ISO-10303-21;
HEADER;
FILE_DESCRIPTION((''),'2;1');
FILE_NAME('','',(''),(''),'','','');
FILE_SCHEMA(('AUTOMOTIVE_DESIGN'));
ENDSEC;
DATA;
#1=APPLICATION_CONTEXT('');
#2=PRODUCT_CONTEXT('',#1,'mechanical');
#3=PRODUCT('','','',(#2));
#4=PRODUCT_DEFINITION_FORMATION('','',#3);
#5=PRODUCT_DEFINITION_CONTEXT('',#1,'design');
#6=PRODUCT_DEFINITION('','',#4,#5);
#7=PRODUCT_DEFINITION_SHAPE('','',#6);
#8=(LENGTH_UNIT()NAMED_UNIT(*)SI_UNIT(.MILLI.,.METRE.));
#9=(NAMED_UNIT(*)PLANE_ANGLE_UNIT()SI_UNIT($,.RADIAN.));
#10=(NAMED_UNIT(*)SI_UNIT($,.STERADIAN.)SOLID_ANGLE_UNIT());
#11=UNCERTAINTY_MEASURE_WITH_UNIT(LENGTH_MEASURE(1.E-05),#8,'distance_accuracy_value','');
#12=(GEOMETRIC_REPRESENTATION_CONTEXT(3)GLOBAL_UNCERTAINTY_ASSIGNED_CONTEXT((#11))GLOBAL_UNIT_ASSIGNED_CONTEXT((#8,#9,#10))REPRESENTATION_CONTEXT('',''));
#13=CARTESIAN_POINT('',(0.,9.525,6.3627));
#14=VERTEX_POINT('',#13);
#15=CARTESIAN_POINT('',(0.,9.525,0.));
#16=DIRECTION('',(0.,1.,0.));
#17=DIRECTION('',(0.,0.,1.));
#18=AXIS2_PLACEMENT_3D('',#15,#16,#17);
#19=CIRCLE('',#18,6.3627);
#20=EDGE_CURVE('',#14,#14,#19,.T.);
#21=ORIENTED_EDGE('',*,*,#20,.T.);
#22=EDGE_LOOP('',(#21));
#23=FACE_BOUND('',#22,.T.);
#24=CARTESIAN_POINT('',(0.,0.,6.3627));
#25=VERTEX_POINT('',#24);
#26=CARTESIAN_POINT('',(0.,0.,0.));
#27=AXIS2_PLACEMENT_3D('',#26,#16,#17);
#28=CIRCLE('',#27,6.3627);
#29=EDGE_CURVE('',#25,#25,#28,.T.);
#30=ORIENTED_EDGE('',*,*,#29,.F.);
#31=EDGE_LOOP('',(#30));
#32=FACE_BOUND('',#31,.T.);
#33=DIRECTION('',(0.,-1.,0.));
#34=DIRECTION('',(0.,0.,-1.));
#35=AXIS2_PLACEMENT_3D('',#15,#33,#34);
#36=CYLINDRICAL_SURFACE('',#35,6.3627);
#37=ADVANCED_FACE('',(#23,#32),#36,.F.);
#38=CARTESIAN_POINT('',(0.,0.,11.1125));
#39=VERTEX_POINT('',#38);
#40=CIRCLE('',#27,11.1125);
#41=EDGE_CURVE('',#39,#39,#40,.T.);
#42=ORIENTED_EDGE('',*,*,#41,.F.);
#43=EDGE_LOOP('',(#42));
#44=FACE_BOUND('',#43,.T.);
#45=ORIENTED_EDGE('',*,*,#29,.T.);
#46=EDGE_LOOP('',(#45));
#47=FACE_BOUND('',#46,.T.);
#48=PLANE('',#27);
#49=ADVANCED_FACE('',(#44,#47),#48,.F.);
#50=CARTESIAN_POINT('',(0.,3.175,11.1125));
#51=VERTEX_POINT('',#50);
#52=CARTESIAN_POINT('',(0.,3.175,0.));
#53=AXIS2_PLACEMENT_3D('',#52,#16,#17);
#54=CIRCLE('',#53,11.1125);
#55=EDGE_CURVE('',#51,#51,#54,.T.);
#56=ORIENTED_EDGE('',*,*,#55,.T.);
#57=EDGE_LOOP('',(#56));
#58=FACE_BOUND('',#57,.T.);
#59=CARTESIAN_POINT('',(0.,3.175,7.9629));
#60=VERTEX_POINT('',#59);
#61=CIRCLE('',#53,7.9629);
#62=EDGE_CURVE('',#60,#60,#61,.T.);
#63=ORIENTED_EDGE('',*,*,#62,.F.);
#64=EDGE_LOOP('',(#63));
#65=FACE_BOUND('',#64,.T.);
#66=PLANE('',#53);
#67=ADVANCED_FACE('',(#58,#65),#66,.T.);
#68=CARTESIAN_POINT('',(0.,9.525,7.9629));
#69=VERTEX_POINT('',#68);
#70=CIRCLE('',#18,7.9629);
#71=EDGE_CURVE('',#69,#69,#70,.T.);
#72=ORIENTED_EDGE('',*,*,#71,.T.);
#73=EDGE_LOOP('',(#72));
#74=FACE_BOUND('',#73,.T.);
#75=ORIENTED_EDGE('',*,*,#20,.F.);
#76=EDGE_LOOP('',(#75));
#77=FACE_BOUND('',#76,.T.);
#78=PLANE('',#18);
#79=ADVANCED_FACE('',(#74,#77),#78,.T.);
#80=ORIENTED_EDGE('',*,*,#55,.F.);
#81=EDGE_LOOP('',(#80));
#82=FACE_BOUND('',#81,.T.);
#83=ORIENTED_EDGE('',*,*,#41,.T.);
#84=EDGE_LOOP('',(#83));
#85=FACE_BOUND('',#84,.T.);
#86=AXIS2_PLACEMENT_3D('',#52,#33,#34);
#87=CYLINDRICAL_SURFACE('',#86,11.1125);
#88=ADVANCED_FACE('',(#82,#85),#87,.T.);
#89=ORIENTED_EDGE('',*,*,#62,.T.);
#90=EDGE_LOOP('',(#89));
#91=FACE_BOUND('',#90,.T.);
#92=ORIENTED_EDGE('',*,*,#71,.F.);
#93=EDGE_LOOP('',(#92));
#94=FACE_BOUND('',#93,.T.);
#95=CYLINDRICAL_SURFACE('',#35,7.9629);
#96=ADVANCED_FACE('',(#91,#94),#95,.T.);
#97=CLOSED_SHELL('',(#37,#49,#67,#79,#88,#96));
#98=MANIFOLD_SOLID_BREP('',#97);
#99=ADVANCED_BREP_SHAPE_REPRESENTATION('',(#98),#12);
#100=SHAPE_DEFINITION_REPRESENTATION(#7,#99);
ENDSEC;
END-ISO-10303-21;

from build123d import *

# Parameters (mm, degrees)
SKETCH2_R           = 7.9629
SKETCH2_R_2         = 6.3627
BOSS_EXTRUDE1_DEPTH = 9.525
SKETCH3_R           = 11.1125
SKETCH3_R_2         = 7.9629
BOSS_EXTRUDE2_DEPTH = 3.175


with BuildPart() as part:
    # Sketch2 → Boss-Extrude1 (new body)
    with BuildSketch(Plane(origin=(0, 0, 0), x_dir=(1, 0, 0), z_dir=(0, 1, 0))):
        Circle(SKETCH2_R)
        Circle(SKETCH2_R_2, mode=Mode.SUBTRACT)
    extrude(amount=BOSS_EXTRUDE1_DEPTH)

    # Sketch3 → Boss-Extrude2 (add)
    with BuildSketch(Plane(origin=(0, 0, 0), x_dir=(1, 0, 0), z_dir=(0, 1, 0))):
        Circle(SKETCH3_R)
        Circle(SKETCH3_R_2, mode=Mode.SUBTRACT)
    extrude(amount=BOSS_EXTRUDE2_DEPTH)


solid = part.part
